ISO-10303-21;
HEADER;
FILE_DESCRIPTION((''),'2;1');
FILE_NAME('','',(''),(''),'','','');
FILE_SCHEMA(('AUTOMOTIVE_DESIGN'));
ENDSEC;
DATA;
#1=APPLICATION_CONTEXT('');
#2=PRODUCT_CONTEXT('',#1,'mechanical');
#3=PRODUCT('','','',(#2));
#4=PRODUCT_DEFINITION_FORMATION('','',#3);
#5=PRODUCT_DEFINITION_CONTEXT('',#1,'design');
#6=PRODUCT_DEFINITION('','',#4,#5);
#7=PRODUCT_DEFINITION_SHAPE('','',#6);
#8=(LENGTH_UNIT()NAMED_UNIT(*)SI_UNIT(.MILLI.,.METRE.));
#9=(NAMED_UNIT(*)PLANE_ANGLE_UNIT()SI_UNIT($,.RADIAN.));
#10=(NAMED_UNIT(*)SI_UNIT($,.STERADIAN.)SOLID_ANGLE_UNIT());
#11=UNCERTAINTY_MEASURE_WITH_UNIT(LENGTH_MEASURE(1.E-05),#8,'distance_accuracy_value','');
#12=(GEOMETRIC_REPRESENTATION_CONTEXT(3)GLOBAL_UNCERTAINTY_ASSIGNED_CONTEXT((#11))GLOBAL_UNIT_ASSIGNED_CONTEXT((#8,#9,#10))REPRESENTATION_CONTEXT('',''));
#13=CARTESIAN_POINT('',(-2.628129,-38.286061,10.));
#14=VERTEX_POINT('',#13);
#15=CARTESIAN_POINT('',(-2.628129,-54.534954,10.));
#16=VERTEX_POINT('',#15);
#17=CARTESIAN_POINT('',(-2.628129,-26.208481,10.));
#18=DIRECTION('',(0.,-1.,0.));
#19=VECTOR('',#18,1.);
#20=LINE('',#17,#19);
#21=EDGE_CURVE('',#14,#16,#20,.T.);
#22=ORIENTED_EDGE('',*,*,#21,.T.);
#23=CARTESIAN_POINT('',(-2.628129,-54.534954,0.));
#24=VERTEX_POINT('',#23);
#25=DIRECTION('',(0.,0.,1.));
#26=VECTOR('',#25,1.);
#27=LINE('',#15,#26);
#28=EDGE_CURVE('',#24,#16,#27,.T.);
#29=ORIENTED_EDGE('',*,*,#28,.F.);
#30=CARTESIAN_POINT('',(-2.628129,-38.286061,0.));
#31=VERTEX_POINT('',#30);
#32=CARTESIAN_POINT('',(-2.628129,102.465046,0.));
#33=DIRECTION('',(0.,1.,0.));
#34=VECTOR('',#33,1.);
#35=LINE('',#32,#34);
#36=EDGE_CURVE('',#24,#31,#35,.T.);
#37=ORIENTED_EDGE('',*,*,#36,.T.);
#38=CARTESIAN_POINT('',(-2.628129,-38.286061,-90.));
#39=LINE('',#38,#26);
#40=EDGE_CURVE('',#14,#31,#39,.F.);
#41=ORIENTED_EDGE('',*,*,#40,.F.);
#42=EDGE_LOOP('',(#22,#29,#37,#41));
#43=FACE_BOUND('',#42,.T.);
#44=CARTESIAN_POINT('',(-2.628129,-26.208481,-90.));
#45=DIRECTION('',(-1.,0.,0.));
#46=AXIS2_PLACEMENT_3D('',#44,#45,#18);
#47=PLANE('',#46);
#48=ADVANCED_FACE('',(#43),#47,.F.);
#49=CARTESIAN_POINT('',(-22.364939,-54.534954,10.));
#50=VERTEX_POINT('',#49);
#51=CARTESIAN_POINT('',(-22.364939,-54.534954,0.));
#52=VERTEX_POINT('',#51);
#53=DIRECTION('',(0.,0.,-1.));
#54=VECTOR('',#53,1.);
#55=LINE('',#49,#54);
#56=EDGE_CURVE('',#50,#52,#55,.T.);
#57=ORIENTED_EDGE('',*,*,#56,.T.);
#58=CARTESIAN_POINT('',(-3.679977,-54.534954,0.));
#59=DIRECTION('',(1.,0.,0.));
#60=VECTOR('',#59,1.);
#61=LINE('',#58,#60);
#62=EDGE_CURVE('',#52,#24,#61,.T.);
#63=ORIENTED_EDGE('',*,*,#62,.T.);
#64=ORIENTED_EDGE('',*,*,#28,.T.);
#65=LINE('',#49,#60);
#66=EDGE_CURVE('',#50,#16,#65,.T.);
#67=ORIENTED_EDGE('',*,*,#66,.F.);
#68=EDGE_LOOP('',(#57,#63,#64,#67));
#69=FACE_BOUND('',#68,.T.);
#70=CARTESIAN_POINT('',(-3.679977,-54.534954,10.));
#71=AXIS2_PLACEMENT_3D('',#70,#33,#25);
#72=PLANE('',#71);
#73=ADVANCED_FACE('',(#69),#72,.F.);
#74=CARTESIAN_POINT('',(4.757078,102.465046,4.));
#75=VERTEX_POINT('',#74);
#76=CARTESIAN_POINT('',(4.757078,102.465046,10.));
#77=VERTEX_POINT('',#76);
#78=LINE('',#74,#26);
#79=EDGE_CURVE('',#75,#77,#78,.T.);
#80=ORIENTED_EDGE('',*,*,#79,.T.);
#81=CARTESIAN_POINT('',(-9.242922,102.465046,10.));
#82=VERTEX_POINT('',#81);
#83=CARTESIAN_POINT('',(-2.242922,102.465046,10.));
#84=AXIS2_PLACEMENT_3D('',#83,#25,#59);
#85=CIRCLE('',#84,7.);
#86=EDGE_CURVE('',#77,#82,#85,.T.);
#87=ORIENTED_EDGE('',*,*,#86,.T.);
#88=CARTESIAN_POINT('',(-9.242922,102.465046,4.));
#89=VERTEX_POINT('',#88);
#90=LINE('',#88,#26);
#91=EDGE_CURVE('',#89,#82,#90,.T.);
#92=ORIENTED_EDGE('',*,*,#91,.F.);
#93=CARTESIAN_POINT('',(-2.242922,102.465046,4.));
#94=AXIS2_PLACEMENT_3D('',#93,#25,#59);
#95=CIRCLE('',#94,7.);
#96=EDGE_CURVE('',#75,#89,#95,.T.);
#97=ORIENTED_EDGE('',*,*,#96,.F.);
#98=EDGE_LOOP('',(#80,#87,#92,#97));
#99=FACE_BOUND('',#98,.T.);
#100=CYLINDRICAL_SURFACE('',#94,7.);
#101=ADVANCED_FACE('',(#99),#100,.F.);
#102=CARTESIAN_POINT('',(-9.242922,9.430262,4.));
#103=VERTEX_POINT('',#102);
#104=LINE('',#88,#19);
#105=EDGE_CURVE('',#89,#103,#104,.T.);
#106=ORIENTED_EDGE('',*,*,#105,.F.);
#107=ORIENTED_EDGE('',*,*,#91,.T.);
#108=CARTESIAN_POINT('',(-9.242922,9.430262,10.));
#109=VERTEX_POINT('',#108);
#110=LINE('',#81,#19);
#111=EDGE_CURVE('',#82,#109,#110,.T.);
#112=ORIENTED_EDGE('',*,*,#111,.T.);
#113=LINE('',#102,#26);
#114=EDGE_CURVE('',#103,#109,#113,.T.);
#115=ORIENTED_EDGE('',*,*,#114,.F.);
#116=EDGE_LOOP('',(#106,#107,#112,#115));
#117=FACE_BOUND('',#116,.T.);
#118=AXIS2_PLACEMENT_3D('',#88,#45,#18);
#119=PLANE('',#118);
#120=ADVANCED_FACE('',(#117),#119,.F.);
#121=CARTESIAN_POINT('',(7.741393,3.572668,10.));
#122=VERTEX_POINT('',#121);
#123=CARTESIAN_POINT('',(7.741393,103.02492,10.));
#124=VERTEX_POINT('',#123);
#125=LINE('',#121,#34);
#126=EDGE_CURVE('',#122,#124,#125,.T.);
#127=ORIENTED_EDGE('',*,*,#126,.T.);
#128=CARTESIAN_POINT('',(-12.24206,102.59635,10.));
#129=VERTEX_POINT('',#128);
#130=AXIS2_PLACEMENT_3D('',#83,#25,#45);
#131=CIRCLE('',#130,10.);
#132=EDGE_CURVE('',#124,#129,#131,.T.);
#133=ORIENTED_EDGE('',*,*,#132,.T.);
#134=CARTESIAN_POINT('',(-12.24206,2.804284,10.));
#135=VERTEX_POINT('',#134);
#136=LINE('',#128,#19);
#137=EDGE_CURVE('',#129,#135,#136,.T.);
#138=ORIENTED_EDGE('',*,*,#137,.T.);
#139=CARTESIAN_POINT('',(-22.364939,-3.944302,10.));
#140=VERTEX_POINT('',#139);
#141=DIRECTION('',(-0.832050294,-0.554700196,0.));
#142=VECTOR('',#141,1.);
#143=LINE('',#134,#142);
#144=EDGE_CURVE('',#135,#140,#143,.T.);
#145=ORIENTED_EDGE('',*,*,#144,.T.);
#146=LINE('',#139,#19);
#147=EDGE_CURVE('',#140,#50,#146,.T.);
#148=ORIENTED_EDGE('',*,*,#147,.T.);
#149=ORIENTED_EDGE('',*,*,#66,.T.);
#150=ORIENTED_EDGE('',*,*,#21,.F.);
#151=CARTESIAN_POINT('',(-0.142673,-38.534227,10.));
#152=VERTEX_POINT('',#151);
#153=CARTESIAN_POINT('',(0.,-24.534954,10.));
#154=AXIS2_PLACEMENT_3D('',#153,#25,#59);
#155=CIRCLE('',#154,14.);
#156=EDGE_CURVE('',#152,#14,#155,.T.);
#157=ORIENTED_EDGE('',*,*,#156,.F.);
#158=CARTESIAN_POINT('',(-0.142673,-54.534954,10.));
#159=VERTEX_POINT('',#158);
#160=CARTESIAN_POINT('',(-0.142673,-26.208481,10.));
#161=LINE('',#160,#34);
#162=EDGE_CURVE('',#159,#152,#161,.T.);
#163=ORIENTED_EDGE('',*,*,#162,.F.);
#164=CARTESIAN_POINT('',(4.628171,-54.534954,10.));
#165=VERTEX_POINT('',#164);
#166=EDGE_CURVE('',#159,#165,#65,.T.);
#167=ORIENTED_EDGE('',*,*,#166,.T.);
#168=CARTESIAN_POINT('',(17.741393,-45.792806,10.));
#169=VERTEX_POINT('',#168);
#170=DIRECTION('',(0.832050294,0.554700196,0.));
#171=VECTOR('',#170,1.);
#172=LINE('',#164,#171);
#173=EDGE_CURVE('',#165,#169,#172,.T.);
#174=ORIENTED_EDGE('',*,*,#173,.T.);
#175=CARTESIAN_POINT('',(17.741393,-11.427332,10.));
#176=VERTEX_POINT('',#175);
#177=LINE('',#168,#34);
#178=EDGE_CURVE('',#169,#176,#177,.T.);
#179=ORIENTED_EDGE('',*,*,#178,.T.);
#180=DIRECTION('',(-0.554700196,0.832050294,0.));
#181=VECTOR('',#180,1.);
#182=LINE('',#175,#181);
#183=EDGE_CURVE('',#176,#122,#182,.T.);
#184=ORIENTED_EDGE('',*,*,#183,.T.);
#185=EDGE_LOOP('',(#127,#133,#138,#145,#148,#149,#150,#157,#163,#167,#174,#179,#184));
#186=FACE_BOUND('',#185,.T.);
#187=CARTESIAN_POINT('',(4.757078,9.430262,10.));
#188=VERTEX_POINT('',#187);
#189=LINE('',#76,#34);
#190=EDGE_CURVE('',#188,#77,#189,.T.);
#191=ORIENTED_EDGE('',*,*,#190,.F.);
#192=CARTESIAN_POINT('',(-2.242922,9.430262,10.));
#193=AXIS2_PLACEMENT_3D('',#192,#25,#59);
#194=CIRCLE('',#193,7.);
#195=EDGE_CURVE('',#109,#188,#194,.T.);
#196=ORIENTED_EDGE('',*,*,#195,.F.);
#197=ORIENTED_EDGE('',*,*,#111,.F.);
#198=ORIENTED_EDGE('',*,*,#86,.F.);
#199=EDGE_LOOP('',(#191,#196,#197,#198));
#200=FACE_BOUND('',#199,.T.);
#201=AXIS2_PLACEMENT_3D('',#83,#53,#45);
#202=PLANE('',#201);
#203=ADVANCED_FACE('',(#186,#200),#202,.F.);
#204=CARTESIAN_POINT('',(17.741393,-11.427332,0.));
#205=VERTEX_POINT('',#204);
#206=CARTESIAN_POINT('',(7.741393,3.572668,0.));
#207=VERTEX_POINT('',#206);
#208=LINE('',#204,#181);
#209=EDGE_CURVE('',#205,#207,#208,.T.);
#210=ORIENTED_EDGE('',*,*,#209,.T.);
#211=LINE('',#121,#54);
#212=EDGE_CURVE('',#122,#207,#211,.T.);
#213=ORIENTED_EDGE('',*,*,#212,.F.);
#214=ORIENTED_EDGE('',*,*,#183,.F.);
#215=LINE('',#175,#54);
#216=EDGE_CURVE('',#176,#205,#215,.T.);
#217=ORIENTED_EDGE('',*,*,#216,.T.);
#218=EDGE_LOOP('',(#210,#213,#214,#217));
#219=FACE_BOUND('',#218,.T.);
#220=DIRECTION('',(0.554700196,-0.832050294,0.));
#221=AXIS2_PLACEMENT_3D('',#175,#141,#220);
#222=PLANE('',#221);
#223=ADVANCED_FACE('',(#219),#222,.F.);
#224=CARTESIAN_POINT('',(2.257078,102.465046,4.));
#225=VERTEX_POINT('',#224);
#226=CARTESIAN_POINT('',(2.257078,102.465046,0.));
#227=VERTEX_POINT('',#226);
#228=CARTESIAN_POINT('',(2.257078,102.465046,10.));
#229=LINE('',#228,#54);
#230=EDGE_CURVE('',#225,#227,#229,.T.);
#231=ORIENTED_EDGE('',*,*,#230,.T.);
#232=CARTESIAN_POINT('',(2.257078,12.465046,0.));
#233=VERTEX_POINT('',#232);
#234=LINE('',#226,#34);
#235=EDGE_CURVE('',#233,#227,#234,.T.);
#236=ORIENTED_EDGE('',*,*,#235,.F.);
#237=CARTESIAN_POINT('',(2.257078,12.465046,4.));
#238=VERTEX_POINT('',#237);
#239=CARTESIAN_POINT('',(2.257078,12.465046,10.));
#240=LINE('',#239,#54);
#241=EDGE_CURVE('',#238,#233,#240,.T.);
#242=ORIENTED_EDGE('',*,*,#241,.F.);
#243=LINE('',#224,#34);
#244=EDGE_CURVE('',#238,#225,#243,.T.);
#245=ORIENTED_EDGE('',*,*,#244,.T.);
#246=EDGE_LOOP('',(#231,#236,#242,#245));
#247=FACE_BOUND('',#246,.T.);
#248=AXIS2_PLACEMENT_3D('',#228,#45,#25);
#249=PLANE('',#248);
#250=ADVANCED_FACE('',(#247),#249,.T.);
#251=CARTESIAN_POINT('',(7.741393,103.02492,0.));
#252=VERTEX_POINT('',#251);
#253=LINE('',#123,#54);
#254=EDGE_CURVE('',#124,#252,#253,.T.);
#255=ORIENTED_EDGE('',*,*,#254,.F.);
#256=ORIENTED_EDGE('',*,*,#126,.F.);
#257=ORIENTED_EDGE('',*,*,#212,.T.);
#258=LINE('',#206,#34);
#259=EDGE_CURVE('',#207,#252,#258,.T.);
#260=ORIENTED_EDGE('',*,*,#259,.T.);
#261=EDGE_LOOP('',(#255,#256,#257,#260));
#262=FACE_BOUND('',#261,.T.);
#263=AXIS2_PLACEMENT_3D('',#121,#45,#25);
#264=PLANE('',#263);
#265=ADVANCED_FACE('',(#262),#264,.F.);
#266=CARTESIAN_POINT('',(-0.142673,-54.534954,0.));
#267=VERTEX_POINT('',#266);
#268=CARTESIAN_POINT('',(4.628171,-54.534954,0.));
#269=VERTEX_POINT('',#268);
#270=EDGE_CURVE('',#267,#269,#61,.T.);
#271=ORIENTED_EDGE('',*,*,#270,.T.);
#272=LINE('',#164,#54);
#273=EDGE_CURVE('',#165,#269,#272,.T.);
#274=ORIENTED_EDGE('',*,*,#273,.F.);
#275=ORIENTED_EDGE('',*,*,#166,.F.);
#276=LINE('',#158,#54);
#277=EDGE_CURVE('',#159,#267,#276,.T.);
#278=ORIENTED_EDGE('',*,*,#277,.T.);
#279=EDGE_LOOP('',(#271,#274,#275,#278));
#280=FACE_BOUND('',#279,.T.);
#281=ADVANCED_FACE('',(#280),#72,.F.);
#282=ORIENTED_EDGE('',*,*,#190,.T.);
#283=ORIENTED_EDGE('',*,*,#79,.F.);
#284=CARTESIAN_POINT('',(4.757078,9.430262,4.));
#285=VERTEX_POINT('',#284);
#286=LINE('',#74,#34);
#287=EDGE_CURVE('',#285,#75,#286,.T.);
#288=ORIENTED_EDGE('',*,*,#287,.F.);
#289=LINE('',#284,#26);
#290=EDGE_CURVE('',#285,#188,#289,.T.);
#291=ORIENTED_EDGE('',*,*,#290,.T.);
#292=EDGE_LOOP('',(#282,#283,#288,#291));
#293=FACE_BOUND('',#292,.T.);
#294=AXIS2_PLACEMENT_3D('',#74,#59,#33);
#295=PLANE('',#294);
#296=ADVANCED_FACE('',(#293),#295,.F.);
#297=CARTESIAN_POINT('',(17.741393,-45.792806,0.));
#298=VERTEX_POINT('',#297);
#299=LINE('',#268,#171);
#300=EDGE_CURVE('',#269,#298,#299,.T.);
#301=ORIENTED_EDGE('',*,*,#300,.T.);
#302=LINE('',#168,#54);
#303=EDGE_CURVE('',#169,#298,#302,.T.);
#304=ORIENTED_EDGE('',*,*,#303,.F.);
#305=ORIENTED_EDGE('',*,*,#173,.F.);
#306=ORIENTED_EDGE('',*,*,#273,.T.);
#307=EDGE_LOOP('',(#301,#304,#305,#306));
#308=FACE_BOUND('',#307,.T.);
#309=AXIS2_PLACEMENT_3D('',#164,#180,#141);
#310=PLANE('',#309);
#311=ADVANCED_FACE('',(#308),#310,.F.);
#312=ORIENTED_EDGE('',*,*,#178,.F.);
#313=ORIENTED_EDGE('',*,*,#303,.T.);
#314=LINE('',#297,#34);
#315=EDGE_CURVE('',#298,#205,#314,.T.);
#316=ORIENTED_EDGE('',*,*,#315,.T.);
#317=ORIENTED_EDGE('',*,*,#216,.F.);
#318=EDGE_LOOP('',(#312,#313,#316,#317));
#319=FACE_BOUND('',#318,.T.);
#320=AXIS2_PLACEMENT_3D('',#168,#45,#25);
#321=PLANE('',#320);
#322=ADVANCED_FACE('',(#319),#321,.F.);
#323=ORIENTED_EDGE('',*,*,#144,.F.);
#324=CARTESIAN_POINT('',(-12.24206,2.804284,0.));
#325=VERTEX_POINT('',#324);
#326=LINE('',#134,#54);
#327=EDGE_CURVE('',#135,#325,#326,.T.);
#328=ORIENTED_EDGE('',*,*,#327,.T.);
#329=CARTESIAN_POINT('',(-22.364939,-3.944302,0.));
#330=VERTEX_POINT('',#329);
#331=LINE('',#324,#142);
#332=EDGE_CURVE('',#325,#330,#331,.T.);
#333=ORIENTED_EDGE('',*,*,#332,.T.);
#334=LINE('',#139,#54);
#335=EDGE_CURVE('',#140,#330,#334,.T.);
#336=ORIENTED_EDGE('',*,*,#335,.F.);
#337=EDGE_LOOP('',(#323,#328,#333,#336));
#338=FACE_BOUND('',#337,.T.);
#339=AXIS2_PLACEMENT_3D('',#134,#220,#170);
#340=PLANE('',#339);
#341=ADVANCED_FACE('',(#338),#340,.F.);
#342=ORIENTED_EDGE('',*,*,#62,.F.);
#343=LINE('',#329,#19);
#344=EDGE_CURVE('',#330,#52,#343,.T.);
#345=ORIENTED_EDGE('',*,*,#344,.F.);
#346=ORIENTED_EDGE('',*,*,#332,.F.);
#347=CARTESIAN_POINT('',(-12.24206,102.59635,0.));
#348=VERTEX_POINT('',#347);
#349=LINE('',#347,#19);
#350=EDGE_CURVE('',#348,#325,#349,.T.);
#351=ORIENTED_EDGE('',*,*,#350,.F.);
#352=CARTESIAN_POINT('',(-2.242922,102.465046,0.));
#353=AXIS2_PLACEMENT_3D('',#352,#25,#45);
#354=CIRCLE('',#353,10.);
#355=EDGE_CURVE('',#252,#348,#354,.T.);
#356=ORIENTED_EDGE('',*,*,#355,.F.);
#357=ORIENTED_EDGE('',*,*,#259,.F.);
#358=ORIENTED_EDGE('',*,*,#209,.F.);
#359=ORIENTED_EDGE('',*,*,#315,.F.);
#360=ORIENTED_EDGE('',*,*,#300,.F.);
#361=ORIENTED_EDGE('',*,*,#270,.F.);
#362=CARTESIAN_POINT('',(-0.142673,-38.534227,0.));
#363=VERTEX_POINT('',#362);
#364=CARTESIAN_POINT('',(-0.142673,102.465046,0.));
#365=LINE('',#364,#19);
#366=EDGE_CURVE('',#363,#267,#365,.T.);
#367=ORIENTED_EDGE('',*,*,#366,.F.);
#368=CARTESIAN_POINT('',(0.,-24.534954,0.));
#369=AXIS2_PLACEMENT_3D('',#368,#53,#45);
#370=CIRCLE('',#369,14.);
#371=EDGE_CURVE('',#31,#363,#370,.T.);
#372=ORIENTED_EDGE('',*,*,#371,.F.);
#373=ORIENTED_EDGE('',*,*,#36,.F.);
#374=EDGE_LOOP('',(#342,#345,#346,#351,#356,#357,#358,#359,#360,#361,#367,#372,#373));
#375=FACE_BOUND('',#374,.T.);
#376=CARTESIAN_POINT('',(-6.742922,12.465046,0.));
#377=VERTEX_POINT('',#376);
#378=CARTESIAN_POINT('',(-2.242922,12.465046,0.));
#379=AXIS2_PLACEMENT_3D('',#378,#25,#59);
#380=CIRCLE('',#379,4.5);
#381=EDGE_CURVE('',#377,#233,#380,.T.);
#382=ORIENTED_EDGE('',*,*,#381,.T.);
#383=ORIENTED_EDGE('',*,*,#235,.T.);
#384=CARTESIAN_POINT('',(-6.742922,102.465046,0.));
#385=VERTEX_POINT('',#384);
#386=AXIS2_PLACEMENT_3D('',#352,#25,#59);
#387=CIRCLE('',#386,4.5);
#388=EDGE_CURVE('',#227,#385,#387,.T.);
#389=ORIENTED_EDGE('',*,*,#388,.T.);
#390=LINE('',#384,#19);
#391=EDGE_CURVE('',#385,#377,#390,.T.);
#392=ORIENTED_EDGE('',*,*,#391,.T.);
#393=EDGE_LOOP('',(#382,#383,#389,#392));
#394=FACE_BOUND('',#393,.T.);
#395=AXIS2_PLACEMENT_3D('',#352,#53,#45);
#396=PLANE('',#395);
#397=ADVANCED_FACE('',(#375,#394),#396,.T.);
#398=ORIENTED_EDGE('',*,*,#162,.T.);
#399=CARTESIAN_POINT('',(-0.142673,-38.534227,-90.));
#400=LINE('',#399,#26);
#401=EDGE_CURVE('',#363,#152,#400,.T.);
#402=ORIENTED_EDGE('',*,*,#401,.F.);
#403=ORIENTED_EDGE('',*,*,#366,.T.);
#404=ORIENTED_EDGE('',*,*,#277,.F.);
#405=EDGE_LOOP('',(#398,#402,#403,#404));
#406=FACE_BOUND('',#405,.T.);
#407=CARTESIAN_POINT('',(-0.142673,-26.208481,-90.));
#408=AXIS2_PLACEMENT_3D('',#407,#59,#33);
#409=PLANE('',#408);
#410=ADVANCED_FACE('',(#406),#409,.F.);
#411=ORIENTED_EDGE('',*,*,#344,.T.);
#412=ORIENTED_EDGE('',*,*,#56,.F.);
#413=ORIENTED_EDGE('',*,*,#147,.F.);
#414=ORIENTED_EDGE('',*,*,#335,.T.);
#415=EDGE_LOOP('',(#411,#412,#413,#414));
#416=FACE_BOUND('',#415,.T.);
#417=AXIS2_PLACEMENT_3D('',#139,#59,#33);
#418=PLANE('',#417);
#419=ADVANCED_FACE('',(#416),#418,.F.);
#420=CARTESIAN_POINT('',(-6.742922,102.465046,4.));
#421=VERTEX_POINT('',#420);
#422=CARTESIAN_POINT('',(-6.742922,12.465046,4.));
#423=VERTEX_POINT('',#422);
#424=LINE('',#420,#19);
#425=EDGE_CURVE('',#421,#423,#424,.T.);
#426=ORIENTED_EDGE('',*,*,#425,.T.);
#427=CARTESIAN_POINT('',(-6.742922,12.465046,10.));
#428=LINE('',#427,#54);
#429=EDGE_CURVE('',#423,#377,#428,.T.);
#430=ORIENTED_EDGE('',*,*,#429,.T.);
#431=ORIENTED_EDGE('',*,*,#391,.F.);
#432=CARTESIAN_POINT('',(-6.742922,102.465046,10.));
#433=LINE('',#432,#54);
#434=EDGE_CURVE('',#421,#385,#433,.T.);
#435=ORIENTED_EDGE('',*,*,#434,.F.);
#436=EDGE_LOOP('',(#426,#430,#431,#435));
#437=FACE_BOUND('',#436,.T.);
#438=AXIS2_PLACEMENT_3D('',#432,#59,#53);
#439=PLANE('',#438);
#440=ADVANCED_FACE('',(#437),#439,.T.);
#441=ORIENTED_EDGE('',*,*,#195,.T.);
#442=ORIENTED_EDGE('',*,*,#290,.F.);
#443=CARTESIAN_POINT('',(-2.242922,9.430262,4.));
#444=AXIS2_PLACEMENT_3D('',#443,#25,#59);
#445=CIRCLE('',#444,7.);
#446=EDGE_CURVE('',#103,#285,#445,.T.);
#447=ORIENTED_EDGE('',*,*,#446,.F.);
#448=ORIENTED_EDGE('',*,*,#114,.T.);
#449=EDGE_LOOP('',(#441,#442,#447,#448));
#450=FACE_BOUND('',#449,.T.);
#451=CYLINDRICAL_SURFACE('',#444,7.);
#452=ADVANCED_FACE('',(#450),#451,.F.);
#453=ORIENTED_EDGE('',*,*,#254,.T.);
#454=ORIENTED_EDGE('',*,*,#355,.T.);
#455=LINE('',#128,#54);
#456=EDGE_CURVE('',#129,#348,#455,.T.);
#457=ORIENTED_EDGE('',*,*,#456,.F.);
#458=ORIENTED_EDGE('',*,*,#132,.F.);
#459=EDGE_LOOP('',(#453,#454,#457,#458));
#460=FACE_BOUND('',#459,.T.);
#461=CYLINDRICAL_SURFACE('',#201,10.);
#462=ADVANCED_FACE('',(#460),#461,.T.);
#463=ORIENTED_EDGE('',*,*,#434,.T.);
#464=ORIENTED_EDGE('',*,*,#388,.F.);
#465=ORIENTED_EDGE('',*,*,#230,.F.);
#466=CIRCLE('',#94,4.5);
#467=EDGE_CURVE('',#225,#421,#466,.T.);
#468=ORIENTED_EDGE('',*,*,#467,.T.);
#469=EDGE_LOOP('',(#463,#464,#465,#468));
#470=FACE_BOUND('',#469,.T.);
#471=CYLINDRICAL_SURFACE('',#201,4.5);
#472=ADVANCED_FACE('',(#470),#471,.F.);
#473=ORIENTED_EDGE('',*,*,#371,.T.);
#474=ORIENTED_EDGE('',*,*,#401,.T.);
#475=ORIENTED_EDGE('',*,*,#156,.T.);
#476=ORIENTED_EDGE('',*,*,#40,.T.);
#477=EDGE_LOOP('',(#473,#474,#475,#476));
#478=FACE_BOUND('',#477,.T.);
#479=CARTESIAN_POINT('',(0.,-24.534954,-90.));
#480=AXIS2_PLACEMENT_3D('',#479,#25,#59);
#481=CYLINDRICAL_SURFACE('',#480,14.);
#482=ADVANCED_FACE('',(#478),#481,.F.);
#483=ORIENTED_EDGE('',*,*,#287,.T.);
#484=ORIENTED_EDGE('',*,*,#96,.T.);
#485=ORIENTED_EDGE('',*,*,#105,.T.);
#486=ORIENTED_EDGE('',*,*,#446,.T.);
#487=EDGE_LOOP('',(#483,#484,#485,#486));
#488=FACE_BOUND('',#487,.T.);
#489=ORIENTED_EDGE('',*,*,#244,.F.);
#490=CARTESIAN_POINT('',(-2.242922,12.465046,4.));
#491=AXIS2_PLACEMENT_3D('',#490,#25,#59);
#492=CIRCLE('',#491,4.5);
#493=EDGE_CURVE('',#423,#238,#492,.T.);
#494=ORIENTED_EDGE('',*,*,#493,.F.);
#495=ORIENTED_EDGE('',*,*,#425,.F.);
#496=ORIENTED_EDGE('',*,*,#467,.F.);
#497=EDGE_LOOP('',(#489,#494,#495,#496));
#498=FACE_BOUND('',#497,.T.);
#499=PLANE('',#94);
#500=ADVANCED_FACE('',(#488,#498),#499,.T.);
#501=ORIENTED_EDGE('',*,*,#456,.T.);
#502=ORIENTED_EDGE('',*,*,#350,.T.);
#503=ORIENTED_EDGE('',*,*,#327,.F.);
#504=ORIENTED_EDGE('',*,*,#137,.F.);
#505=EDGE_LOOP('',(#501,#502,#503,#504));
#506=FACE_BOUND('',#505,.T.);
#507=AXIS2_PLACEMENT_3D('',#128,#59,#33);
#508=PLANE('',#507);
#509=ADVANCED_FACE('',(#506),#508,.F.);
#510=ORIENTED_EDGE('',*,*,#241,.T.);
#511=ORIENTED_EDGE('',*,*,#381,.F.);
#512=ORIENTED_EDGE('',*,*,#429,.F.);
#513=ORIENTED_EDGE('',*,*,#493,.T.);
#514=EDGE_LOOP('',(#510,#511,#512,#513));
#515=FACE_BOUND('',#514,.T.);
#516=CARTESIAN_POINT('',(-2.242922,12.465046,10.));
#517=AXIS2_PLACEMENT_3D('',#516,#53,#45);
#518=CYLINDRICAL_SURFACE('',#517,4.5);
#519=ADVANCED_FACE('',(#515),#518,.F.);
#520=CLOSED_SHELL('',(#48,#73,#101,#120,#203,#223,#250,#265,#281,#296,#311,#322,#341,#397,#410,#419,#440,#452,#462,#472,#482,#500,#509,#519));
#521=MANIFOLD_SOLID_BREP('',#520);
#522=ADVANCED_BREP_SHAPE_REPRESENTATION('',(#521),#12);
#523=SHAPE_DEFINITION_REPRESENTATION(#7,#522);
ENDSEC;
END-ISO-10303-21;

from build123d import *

# Parameters (mm, degrees)
BOSS_EXTRUDE1_DEPTH = 10
CUT_EXTRUDE1_DEPTH  = 6
SKETCH3_R           = 14
CUT_EXTRUDE2_DEPTH  = 100
SKETCH4_W           = 2.485456217
SKETCH4_H           = 52.416620737
CUT_EXTRUDE3_DEPTH  = 100


with BuildPart() as part:
    # Sketch1 → Boss-Extrude1 (new body)
    with BuildSketch(Plane.XY):
        with BuildLine():
            Line((-3.679977182, -54.534954407), (4.628170727, -54.534954407))
            Line((4.628170727, -54.534954407), (17.741392821, -45.792806344))
            Line((17.741392821, -45.792806344), (17.741392821, -11.427332251))
            Line((17.741392821, -11.427332251), (7.741392821, 3.572667749))
            Line((7.741392821, 3.572667749), (7.741392821, 103.024920211))
            ThreePointArc((7.741392821, 103.024920211), (-2.457335357, 112.462746672), (-12.242059824, 102.596349566))
            Line((-12.242059824, 102.596349566), (-12.242059824, 2.804284439))
            Line((-12.242059824, 2.804284439), (-22.364938744, -3.944301507))
            Line((-22.364938744, -3.944301507), (-22.364938744, -54.534954407))
            Line((-22.364938744, -54.534954407), (-3.679977182, -54.534954407))
        make_face()
        with BuildLine():
            Line((2.257078102, 102.465045593), (2.257078102, 12.465045593))
            ThreePointArc((2.257078102, 12.465045593), (-2.242921898, 7.965045593), (-6.742921898, 12.465045593))
            Line((-6.742921898, 12.465045593), (-6.742921898, 102.465045593))
            ThreePointArc((-6.742921898, 102.465045593), (-2.242921898, 106.965045593), (2.257078102, 102.465045593))
        make_face(mode=Mode.SUBTRACT)
    extrude(amount=BOSS_EXTRUDE1_DEPTH)

    # Sketch2 → Cut-Extrude1 (cut)
    with BuildSketch(Plane.XY.offset(10)):
        with BuildLine():
            Line((4.757078102, 102.465045593), (4.757078102, 9.430262407))
            ThreePointArc((4.757078102, 9.430262407), (-2.242921898, 2.430262407), (-9.242921898, 9.430262407))
            Line((-9.242921898, 9.430262407), (-9.242921898, 102.465045593))
            ThreePointArc((-9.242921898, 102.465045593), (-2.242921898, 109.465045593), (4.757078102, 102.465045593))
        make_face()
    extrude(amount=-CUT_EXTRUDE1_DEPTH, mode=Mode.SUBTRACT)

    # Sketch3 → Cut-Extrude2 (cut)
    with BuildSketch(Plane.XY.offset(10)):
        with Locations((0, -24.534954407)):
            Circle(SKETCH3_R)
    extrude(amount=-CUT_EXTRUDE2_DEPTH, mode=Mode.SUBTRACT)

    # Sketch4 → Cut-Extrude3 (cut)
    with BuildSketch(Plane.XY.offset(10)):
        with Locations((-1.385400928, -52.416791412)):
            Rectangle(SKETCH4_W, SKETCH4_H)
    extrude(amount=-CUT_EXTRUDE3_DEPTH, mode=Mode.SUBTRACT)


solid = part.part
